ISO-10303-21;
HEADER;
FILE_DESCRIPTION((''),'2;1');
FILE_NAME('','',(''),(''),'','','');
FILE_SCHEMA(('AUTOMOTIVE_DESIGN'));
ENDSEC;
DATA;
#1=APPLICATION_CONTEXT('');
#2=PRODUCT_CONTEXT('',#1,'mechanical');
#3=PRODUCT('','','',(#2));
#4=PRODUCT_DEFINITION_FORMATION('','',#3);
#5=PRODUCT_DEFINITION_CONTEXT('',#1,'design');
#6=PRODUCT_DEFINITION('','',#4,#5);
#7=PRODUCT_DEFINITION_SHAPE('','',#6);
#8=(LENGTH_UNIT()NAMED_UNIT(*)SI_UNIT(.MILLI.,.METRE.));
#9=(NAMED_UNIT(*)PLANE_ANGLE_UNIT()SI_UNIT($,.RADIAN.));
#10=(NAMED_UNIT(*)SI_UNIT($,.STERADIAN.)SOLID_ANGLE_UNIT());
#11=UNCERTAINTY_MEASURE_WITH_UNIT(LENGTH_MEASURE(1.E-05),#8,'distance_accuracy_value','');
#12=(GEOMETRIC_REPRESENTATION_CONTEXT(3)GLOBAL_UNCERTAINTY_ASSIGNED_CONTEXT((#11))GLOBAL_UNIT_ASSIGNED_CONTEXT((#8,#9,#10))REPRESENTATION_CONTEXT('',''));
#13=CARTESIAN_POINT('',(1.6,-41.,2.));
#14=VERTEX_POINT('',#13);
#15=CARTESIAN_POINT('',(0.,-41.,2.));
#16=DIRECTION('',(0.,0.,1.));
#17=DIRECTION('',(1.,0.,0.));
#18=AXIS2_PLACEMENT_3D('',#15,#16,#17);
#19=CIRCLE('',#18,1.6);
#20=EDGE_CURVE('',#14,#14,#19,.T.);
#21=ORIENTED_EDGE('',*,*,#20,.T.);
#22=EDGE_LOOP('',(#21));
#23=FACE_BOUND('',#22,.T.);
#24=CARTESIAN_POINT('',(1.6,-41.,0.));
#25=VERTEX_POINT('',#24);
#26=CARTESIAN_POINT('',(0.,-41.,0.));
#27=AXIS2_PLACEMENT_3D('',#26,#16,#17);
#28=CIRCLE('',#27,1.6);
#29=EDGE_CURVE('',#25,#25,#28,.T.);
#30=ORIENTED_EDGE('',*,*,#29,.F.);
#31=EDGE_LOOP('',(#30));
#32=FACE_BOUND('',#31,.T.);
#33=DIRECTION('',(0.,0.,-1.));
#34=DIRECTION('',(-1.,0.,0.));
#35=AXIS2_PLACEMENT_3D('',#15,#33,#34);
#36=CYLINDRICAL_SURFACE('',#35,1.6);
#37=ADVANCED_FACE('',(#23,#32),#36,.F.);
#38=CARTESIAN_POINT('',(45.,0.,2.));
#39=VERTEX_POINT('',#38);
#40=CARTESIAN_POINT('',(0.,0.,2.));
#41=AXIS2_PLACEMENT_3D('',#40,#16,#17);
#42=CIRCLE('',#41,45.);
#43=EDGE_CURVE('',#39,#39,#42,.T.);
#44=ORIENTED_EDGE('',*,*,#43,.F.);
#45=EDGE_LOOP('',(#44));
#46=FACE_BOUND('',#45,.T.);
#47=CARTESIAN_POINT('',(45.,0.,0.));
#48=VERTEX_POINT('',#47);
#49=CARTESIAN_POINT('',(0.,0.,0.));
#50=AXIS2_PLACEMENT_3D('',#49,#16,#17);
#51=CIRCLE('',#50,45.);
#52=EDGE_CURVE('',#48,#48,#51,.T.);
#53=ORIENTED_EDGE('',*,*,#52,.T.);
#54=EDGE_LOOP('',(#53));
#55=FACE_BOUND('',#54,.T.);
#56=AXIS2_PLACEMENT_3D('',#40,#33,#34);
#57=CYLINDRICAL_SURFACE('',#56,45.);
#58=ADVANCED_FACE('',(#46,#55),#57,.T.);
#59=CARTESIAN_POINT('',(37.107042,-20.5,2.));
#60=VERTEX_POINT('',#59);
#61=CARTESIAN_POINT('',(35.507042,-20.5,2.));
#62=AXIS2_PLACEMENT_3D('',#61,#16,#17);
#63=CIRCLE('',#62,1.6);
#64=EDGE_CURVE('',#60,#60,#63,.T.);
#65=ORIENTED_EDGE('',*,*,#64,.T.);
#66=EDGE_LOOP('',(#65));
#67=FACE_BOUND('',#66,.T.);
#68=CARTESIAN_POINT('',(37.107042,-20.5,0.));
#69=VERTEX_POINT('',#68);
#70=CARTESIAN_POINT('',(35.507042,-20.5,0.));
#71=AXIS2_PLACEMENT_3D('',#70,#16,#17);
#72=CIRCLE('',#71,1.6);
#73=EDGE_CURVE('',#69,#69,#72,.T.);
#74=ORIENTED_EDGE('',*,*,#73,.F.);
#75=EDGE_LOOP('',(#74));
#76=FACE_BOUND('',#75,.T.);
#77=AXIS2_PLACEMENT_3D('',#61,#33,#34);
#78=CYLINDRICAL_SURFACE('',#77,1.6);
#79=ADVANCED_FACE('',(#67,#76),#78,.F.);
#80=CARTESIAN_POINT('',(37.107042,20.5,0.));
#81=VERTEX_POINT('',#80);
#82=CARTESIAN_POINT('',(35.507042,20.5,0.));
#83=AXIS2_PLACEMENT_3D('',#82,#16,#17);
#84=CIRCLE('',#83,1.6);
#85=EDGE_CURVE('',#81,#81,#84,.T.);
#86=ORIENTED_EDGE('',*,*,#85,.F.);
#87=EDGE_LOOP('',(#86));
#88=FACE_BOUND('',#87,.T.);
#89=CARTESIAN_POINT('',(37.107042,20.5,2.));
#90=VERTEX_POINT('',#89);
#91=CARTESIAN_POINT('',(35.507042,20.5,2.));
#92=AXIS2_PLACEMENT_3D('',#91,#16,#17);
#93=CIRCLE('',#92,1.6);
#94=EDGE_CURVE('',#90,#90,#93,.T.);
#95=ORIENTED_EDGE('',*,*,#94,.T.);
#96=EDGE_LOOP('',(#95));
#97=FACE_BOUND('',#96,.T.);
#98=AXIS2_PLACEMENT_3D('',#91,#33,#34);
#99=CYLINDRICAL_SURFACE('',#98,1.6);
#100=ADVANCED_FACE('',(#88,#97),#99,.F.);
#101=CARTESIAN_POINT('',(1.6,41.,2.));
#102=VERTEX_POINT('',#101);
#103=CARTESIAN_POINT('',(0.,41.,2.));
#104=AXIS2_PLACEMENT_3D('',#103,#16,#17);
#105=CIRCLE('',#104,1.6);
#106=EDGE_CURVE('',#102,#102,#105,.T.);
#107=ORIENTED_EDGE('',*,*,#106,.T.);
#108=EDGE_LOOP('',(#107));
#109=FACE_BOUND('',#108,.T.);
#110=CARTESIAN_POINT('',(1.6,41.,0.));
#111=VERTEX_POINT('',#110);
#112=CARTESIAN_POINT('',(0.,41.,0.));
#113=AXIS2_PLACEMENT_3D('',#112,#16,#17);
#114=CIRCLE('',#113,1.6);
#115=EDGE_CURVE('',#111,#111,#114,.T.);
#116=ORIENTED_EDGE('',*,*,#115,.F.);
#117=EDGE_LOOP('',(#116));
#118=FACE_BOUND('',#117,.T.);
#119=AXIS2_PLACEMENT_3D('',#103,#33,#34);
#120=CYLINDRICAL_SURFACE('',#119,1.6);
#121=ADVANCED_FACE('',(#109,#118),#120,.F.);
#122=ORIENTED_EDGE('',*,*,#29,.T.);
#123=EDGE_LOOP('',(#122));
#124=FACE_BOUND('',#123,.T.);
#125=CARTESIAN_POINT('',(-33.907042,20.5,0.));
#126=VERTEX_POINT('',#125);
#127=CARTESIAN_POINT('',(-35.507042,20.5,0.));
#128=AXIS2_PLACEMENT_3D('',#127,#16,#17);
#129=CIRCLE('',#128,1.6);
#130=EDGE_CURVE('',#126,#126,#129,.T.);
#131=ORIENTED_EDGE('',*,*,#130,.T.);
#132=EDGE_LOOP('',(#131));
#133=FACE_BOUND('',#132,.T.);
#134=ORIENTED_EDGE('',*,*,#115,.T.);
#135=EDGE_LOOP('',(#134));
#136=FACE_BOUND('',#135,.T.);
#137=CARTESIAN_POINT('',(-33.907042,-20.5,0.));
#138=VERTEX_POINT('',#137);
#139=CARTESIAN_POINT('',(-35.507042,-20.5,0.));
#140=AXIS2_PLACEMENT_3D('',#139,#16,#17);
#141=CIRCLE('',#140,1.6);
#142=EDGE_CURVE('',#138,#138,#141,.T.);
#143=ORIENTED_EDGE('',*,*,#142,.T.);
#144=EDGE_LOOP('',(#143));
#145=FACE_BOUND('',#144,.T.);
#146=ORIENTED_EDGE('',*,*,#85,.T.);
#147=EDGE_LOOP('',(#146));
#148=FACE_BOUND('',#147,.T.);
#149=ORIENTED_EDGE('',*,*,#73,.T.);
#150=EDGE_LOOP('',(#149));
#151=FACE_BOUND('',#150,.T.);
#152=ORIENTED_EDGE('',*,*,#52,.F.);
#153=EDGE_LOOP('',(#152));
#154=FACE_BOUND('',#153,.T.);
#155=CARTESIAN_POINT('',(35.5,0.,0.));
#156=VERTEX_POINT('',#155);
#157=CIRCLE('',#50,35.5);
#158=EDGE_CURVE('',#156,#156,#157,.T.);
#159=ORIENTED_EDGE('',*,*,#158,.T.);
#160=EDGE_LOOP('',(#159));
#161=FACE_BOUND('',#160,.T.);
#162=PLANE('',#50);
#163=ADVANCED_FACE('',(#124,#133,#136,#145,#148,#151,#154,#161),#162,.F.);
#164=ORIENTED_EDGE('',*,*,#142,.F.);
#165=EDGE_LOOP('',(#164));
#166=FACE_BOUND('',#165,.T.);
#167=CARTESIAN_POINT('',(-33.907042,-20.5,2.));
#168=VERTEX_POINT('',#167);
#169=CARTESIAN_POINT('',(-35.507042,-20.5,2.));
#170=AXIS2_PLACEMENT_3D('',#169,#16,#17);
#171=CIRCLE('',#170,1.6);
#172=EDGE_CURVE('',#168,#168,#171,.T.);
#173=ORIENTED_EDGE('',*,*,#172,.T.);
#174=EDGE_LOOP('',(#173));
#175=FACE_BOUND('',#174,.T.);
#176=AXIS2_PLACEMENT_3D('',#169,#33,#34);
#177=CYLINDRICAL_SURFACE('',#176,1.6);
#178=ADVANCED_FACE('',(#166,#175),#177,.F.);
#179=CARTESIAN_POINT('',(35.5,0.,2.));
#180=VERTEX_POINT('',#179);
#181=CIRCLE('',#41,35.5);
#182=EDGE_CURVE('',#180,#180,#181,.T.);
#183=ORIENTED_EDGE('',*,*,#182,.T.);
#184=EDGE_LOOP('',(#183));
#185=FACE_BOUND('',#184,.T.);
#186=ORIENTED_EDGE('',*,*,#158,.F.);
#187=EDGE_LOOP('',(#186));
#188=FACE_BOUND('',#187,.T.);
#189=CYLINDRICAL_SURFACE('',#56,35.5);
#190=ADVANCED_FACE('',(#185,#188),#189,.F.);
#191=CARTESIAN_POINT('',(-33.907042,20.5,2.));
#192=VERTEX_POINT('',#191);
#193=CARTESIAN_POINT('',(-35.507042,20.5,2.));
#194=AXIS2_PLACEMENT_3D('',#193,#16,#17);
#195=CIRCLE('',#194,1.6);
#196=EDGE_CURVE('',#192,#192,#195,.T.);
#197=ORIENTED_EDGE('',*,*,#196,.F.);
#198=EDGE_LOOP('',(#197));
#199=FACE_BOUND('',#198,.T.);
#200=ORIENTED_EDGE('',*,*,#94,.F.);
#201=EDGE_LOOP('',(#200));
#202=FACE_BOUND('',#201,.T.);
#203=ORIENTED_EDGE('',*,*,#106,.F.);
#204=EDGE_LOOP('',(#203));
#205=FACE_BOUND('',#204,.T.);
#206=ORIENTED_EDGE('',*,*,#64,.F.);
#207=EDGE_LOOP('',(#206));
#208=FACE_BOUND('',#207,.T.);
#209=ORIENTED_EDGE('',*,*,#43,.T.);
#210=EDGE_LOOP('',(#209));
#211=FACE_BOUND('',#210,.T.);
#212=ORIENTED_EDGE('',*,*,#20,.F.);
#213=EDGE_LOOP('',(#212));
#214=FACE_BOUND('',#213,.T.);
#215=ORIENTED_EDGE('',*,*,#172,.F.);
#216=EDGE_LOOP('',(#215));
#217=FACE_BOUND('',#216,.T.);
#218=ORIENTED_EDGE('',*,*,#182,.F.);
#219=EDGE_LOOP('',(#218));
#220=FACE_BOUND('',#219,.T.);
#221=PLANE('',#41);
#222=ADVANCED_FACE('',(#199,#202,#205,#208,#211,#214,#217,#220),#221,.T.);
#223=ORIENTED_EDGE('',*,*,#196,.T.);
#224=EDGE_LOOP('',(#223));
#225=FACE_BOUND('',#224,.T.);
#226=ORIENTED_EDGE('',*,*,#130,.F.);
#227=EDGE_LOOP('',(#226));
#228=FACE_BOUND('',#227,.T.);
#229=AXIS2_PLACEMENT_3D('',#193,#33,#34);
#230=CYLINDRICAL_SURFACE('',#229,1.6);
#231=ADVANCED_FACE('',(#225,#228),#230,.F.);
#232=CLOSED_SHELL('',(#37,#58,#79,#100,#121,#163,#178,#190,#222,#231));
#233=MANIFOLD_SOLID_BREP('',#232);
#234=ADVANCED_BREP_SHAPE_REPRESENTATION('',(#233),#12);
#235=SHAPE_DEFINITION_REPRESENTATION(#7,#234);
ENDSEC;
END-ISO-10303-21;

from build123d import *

# Parameters (mm, degrees)
SKETCH_1_R      = 45
SKETCH_1_R_2    = 35.5
SKETCH_1_R_3    = 1.6
EXTRUDE_1_DEPTH = 2


with BuildPart() as part:
    # 草图1 → 凸台-拉伸1 (new body)
    with BuildSketch(Plane.XY):
        Circle(SKETCH_1_R)
        Circle(SKETCH_1_R_2, mode=Mode.SUBTRACT)
        with Locations((0, 41)):
            Circle(SKETCH_1_R_3, mode=Mode.SUBTRACT)
        with Locations((35.507041555, 20.5)):
            Circle(SKETCH_1_R_3, mode=Mode.SUBTRACT)
        with Locations((35.507041555, -20.5)):
            Circle(SKETCH_1_R_3, mode=Mode.SUBTRACT)
        with Locations((0, -41)):
            Circle(SKETCH_1_R_3, mode=Mode.SUBTRACT)
        with Locations((-35.507041555, -20.5)):
            Circle(SKETCH_1_R_3, mode=Mode.SUBTRACT)
        with Locations((-35.507041555, 20.5)):
            Circle(SKETCH_1_R_3, mode=Mode.SUBTRACT)
    extrude(amount=EXTRUDE_1_DEPTH)


solid = part.part
